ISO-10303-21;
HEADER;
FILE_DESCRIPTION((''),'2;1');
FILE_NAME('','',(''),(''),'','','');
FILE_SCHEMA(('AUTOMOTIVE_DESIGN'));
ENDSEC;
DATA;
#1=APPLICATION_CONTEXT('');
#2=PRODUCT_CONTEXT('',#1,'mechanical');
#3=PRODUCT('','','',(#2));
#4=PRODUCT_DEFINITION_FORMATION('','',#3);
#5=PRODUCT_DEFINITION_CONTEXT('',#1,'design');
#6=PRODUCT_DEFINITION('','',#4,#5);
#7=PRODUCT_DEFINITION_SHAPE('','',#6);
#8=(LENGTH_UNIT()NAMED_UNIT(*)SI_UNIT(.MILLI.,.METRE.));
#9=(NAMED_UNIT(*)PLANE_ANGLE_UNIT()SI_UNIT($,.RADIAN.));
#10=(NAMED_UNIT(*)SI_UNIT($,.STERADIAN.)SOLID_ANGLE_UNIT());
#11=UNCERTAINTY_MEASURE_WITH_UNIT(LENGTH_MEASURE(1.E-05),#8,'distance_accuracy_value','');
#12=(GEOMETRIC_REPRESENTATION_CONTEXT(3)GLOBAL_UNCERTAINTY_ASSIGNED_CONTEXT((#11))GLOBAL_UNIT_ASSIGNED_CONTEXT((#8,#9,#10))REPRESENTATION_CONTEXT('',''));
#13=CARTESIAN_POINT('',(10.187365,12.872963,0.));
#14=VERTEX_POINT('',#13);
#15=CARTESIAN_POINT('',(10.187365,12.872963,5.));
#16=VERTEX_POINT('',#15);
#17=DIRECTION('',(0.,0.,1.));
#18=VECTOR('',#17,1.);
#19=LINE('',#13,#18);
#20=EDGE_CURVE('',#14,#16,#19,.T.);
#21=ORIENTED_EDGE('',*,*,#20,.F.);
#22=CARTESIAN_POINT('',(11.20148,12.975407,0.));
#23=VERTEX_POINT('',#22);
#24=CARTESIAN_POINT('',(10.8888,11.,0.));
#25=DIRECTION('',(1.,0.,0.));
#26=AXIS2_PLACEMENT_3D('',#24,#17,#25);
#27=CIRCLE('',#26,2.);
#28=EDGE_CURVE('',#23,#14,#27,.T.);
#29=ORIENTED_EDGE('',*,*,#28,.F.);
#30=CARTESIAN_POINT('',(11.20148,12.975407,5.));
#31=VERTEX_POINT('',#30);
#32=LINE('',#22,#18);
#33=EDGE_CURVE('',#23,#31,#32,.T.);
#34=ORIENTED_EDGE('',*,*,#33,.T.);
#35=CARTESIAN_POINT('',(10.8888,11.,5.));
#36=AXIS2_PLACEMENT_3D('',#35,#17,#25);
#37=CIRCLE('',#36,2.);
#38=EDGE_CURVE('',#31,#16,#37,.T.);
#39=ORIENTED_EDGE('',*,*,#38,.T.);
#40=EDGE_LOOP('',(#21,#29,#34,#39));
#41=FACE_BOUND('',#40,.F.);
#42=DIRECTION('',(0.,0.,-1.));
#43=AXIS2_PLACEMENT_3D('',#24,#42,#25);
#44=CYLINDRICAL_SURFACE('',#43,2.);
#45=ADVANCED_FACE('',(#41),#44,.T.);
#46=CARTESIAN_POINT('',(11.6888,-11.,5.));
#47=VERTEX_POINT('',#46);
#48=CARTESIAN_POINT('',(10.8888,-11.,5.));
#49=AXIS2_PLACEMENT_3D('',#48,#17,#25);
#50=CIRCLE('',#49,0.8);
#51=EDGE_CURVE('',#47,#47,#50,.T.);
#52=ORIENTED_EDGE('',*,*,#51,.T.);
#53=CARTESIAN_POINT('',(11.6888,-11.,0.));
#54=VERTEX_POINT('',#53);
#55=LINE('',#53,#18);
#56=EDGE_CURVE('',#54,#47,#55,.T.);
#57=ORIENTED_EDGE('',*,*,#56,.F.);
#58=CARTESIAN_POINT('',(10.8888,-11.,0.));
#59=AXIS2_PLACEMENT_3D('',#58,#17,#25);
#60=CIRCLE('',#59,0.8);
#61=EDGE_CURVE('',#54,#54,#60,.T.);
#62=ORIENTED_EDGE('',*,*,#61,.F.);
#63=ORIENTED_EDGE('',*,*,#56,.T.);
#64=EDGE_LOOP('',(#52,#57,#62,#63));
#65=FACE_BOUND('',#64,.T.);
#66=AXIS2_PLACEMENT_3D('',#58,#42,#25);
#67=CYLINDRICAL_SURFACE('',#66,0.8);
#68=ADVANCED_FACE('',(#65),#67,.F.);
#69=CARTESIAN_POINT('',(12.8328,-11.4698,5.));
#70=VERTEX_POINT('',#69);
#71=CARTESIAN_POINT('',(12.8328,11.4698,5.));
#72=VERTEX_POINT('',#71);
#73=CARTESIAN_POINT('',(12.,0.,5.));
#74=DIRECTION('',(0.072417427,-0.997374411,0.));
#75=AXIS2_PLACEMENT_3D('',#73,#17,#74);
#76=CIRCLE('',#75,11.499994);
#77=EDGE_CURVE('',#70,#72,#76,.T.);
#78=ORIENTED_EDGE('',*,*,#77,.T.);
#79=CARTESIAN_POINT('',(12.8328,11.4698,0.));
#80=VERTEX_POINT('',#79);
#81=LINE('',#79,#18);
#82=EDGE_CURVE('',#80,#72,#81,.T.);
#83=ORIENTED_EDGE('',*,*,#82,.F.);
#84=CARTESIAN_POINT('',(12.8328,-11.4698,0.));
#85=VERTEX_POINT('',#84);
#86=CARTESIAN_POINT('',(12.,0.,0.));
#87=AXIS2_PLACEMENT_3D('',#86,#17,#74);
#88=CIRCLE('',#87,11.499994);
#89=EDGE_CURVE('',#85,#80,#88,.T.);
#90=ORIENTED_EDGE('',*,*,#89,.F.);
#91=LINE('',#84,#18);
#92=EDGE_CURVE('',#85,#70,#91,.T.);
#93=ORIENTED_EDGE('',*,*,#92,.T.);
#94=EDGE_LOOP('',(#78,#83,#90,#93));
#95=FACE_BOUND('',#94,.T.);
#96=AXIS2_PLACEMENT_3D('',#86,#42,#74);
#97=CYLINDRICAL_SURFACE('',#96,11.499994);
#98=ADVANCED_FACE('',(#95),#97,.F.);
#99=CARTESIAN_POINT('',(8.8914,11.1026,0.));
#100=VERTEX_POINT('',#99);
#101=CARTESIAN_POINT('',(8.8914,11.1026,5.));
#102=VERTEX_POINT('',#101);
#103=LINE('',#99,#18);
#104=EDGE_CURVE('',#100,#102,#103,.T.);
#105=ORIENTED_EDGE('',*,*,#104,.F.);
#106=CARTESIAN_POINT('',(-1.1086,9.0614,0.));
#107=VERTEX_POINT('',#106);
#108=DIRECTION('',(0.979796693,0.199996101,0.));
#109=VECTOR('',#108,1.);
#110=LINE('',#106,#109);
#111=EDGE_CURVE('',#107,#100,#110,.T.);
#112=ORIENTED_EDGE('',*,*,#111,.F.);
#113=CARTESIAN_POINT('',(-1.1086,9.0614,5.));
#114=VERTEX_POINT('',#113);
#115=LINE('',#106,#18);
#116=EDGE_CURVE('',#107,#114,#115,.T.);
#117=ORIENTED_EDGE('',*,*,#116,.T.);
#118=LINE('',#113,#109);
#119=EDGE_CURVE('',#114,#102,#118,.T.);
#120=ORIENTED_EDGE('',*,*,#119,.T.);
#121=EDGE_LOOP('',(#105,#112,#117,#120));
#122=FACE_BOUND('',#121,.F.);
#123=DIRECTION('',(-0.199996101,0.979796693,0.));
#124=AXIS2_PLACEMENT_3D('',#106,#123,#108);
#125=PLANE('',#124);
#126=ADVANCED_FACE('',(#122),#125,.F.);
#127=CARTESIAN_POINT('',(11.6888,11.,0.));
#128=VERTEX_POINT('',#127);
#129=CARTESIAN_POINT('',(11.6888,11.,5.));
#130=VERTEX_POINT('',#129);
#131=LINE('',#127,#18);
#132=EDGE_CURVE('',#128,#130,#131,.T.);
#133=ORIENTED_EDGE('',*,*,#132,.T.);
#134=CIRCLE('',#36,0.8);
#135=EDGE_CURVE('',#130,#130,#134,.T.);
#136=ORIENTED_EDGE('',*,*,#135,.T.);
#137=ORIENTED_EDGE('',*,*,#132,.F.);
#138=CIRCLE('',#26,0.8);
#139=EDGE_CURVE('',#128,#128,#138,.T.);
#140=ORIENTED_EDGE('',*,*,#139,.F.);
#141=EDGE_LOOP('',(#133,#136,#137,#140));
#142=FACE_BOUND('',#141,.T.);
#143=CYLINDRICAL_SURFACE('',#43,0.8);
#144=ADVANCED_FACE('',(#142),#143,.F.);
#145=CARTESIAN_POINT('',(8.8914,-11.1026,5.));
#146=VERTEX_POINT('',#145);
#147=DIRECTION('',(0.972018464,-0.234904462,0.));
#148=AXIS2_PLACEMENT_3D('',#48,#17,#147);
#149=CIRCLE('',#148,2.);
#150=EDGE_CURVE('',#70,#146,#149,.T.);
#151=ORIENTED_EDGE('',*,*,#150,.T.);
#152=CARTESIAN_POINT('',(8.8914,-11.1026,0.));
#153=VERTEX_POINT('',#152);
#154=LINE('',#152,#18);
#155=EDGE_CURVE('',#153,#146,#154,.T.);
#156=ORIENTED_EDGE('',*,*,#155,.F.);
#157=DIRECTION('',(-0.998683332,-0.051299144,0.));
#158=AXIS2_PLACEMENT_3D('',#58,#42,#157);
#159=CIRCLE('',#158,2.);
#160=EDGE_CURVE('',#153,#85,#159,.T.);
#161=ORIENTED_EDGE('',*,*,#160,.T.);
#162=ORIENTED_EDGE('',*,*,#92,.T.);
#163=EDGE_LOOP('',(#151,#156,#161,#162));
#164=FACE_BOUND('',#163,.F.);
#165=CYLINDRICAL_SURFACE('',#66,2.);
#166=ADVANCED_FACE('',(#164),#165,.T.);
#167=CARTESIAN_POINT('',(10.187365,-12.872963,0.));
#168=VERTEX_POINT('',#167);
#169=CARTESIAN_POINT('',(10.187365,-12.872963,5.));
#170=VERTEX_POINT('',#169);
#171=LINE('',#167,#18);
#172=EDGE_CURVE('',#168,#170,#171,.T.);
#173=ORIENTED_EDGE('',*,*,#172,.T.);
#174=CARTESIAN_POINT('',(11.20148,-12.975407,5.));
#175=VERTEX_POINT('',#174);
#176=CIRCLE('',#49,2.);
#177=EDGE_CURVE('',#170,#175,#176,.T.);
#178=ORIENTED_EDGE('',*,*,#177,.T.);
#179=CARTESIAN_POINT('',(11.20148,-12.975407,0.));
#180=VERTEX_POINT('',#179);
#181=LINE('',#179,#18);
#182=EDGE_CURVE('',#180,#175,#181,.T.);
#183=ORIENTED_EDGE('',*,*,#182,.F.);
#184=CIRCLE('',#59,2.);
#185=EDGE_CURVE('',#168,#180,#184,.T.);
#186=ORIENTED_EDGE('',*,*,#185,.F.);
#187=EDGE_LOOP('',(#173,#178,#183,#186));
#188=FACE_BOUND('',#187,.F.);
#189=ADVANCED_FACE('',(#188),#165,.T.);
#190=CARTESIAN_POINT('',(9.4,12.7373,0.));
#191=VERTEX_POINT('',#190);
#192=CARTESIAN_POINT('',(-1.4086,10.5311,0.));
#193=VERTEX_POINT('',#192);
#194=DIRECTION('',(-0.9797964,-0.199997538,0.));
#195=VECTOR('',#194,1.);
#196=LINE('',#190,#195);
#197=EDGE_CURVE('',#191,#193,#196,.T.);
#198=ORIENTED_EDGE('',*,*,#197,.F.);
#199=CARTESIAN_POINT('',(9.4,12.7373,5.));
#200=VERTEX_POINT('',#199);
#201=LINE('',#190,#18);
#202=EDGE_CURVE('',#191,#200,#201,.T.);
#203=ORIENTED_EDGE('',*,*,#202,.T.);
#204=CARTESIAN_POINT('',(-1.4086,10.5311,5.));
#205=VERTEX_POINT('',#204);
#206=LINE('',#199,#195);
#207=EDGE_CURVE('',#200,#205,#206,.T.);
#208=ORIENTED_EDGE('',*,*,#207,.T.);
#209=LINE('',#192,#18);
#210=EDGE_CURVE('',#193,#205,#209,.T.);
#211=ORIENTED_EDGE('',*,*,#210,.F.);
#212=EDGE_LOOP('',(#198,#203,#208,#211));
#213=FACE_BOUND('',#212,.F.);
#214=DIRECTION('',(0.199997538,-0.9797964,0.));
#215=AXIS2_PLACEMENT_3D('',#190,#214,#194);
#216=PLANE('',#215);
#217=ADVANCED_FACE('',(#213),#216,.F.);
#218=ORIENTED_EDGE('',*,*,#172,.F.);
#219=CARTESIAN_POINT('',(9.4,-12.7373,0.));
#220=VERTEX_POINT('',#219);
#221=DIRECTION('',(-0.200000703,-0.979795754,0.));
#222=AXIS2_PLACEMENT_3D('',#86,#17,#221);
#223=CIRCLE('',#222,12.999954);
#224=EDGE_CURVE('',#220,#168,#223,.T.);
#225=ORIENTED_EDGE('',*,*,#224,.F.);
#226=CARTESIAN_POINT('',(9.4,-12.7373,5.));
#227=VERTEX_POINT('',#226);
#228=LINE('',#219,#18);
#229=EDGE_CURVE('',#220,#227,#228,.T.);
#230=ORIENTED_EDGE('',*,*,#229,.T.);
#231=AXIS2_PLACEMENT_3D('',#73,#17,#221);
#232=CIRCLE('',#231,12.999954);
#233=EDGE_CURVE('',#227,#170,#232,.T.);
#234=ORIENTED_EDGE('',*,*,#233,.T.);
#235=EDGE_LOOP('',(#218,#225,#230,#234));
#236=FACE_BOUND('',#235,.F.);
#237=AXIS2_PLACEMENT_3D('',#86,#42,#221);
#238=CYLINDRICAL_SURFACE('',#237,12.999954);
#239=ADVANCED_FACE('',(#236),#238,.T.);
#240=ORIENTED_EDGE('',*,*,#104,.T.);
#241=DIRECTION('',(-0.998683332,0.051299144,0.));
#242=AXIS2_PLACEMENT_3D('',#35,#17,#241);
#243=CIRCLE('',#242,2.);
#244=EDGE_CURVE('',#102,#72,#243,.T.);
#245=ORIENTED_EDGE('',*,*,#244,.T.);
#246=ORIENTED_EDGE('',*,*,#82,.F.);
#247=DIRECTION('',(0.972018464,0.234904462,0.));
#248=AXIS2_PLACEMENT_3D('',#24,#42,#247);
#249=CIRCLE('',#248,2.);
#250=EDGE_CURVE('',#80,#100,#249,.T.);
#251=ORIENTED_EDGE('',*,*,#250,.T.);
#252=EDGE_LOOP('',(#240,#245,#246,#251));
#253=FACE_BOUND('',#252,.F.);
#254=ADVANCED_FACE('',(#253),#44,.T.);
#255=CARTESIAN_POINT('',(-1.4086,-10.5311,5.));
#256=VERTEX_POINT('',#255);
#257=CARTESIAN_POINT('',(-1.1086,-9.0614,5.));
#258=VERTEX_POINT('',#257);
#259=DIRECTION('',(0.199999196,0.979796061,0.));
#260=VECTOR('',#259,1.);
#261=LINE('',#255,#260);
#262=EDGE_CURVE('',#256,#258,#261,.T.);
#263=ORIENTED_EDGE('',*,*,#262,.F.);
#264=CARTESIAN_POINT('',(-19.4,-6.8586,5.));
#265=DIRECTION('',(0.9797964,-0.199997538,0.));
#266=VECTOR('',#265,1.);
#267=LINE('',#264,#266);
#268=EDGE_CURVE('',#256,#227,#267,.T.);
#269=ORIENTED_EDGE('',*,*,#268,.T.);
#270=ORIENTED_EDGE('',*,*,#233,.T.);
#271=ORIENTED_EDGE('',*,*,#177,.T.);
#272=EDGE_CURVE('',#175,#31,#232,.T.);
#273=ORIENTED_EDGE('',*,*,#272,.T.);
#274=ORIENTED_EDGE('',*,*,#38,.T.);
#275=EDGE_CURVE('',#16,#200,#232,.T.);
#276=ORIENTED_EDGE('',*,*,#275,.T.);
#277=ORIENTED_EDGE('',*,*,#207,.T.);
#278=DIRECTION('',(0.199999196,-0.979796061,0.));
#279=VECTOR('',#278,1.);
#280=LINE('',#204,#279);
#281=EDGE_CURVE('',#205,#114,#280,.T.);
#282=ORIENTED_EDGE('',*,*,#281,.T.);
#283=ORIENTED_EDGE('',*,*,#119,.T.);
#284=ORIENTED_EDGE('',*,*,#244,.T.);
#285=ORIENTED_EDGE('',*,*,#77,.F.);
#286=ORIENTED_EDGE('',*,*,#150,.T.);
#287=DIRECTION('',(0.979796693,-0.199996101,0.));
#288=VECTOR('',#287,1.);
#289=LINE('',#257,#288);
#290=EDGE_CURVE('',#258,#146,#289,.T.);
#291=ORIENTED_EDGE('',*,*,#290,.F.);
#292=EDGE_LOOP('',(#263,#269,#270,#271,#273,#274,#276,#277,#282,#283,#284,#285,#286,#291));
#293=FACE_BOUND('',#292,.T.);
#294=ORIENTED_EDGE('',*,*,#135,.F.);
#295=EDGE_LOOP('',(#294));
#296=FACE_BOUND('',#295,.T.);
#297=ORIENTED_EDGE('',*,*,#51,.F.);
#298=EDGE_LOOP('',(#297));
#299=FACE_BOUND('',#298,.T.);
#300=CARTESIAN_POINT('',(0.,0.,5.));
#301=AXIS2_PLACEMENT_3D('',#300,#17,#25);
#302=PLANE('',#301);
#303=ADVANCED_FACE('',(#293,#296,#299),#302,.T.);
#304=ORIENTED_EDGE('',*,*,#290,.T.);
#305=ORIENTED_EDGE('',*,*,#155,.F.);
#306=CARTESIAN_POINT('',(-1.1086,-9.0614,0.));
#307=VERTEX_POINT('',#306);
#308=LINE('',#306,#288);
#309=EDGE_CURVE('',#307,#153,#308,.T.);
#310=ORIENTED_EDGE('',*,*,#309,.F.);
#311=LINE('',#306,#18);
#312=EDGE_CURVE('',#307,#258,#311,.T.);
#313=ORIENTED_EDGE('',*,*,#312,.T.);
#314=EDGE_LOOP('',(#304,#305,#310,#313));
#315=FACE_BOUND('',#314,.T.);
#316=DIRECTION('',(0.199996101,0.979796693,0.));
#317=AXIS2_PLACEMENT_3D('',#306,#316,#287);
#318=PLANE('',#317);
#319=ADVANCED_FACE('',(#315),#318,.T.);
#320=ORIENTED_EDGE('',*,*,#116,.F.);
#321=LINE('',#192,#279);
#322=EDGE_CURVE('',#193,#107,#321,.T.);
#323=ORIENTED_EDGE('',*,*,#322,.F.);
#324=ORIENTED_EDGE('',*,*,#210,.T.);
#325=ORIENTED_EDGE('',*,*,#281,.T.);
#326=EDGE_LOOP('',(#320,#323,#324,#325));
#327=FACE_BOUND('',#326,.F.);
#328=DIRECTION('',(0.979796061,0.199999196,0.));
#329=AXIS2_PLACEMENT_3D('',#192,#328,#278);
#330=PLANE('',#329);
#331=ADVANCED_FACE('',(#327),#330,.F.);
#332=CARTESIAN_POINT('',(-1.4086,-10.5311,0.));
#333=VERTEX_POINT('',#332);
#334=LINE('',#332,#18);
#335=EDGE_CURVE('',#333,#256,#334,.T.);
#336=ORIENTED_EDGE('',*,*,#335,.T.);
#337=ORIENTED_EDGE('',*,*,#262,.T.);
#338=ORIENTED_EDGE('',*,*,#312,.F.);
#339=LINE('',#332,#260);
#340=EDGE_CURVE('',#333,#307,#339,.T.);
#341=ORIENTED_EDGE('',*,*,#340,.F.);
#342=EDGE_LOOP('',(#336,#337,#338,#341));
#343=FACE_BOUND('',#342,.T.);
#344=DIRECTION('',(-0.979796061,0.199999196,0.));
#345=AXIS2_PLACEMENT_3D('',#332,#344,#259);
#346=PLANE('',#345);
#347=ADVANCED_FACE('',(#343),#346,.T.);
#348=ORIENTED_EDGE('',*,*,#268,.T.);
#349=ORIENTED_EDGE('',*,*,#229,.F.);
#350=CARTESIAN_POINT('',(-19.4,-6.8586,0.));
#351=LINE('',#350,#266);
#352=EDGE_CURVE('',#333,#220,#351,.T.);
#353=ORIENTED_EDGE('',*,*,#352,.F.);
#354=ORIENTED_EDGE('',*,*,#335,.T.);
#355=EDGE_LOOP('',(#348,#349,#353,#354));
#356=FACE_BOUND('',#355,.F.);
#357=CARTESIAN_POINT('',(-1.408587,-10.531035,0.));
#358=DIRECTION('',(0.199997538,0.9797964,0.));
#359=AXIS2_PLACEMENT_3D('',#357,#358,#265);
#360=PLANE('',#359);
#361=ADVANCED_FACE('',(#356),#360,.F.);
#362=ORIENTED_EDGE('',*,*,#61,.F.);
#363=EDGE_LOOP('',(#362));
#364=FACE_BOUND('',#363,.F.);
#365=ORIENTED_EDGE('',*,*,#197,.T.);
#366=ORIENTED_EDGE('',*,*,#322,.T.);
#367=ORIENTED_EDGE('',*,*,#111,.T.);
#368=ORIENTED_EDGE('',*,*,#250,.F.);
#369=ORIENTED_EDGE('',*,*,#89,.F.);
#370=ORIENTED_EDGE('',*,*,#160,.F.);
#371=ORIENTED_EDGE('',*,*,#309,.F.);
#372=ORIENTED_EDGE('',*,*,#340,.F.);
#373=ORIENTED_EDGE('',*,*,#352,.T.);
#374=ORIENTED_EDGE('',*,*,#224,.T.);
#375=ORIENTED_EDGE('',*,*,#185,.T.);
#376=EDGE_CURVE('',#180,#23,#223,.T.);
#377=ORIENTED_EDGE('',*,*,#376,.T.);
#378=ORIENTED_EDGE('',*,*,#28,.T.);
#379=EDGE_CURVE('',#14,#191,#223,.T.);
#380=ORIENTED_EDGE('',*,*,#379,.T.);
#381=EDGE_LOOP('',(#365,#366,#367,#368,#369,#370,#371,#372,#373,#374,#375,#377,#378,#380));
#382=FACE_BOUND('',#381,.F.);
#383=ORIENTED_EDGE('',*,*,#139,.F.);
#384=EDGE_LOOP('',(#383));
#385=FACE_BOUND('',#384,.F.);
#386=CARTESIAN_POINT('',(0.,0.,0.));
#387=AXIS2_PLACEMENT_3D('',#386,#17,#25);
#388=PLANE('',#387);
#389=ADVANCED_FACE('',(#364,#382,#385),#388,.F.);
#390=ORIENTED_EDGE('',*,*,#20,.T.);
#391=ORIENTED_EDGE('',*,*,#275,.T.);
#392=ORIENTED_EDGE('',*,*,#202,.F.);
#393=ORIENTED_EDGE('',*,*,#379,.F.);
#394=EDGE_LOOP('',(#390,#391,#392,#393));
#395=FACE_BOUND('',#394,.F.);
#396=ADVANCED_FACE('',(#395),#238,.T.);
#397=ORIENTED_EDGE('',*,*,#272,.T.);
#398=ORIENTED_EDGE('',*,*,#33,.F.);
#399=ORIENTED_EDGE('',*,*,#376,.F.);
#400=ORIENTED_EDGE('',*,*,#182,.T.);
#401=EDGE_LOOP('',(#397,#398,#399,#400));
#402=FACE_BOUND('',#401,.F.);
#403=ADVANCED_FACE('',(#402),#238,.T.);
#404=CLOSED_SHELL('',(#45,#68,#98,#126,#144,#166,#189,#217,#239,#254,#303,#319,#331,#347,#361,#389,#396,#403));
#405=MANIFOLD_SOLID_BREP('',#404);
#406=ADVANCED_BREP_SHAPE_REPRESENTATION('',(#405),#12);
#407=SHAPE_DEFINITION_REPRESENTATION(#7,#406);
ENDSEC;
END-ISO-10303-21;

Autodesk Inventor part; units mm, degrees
ref_plane "YZ Plane" through (0, 0, 0) normal (1, 0, 0) x (0, 1, 0)
ref_plane "XZ Plane" through (0, 0, 0) normal (0, 1, 0) x (-1, 0, 0)
ref_plane "XY Plane" through (0, 0, 0) normal (0, 0, 1) x (1, 0, 0)
ref_plane "作業平面1" through (0, 0, 0) normal (0, 0, 1) x (1, 0, 0)
sketch "スケッチ1" plane through (0, 0, 0) normal (0, 0, 1) x (1, 0, 0)
  arc A0 (9.4, -12.7373) -> (9.4, 12.7373) centre (12, 0) ccw projected
  circle A1 centre (10.8888, 11) radius 0.8 projected
  circle A2 centre (10.8888, -11) radius 0.8 projected
  circle A3 centre (10.8888, 11) radius 2
  circle A4 centre (10.8888, -11) radius 2
  arc A5 (12.8328, -11.4698) -> (12.8328, 11.4698) centre (12, 0) ccw
  line L0 (9.4, 12.7373) -> (-19.4, 6.8586) projected
  line L1 (-19.4, -6.8586) -> (9.4, -12.7373) projected
  line L2 (-1.4086, 10.5311) -> (-1.1086, 9.0614)
  line L3 (-1.1086, 9.0614) -> (8.8914, 11.1026)
  line L4 (-1.4086, -10.5311) -> (-1.1086, -9.0614)
  line L5 (-1.1086, -9.0614) -> (8.8914, -11.1026)
  point P0 (0, 0)
  point P1 (10.1875, -12.873)
  point P2 (11.2013, -12.9754)
  point P3 (11.2013, 12.9754)
  point P4 (10.1875, 12.873)
  dimension "d0" = 4
  dimension "d1" = 1.5
  dimension "d2" = 1.5
  dimension "d3" = 10
extrude "押し出し1" add sketch "スケッチ1" along normal blind 5
properties part number "MotorCover"
